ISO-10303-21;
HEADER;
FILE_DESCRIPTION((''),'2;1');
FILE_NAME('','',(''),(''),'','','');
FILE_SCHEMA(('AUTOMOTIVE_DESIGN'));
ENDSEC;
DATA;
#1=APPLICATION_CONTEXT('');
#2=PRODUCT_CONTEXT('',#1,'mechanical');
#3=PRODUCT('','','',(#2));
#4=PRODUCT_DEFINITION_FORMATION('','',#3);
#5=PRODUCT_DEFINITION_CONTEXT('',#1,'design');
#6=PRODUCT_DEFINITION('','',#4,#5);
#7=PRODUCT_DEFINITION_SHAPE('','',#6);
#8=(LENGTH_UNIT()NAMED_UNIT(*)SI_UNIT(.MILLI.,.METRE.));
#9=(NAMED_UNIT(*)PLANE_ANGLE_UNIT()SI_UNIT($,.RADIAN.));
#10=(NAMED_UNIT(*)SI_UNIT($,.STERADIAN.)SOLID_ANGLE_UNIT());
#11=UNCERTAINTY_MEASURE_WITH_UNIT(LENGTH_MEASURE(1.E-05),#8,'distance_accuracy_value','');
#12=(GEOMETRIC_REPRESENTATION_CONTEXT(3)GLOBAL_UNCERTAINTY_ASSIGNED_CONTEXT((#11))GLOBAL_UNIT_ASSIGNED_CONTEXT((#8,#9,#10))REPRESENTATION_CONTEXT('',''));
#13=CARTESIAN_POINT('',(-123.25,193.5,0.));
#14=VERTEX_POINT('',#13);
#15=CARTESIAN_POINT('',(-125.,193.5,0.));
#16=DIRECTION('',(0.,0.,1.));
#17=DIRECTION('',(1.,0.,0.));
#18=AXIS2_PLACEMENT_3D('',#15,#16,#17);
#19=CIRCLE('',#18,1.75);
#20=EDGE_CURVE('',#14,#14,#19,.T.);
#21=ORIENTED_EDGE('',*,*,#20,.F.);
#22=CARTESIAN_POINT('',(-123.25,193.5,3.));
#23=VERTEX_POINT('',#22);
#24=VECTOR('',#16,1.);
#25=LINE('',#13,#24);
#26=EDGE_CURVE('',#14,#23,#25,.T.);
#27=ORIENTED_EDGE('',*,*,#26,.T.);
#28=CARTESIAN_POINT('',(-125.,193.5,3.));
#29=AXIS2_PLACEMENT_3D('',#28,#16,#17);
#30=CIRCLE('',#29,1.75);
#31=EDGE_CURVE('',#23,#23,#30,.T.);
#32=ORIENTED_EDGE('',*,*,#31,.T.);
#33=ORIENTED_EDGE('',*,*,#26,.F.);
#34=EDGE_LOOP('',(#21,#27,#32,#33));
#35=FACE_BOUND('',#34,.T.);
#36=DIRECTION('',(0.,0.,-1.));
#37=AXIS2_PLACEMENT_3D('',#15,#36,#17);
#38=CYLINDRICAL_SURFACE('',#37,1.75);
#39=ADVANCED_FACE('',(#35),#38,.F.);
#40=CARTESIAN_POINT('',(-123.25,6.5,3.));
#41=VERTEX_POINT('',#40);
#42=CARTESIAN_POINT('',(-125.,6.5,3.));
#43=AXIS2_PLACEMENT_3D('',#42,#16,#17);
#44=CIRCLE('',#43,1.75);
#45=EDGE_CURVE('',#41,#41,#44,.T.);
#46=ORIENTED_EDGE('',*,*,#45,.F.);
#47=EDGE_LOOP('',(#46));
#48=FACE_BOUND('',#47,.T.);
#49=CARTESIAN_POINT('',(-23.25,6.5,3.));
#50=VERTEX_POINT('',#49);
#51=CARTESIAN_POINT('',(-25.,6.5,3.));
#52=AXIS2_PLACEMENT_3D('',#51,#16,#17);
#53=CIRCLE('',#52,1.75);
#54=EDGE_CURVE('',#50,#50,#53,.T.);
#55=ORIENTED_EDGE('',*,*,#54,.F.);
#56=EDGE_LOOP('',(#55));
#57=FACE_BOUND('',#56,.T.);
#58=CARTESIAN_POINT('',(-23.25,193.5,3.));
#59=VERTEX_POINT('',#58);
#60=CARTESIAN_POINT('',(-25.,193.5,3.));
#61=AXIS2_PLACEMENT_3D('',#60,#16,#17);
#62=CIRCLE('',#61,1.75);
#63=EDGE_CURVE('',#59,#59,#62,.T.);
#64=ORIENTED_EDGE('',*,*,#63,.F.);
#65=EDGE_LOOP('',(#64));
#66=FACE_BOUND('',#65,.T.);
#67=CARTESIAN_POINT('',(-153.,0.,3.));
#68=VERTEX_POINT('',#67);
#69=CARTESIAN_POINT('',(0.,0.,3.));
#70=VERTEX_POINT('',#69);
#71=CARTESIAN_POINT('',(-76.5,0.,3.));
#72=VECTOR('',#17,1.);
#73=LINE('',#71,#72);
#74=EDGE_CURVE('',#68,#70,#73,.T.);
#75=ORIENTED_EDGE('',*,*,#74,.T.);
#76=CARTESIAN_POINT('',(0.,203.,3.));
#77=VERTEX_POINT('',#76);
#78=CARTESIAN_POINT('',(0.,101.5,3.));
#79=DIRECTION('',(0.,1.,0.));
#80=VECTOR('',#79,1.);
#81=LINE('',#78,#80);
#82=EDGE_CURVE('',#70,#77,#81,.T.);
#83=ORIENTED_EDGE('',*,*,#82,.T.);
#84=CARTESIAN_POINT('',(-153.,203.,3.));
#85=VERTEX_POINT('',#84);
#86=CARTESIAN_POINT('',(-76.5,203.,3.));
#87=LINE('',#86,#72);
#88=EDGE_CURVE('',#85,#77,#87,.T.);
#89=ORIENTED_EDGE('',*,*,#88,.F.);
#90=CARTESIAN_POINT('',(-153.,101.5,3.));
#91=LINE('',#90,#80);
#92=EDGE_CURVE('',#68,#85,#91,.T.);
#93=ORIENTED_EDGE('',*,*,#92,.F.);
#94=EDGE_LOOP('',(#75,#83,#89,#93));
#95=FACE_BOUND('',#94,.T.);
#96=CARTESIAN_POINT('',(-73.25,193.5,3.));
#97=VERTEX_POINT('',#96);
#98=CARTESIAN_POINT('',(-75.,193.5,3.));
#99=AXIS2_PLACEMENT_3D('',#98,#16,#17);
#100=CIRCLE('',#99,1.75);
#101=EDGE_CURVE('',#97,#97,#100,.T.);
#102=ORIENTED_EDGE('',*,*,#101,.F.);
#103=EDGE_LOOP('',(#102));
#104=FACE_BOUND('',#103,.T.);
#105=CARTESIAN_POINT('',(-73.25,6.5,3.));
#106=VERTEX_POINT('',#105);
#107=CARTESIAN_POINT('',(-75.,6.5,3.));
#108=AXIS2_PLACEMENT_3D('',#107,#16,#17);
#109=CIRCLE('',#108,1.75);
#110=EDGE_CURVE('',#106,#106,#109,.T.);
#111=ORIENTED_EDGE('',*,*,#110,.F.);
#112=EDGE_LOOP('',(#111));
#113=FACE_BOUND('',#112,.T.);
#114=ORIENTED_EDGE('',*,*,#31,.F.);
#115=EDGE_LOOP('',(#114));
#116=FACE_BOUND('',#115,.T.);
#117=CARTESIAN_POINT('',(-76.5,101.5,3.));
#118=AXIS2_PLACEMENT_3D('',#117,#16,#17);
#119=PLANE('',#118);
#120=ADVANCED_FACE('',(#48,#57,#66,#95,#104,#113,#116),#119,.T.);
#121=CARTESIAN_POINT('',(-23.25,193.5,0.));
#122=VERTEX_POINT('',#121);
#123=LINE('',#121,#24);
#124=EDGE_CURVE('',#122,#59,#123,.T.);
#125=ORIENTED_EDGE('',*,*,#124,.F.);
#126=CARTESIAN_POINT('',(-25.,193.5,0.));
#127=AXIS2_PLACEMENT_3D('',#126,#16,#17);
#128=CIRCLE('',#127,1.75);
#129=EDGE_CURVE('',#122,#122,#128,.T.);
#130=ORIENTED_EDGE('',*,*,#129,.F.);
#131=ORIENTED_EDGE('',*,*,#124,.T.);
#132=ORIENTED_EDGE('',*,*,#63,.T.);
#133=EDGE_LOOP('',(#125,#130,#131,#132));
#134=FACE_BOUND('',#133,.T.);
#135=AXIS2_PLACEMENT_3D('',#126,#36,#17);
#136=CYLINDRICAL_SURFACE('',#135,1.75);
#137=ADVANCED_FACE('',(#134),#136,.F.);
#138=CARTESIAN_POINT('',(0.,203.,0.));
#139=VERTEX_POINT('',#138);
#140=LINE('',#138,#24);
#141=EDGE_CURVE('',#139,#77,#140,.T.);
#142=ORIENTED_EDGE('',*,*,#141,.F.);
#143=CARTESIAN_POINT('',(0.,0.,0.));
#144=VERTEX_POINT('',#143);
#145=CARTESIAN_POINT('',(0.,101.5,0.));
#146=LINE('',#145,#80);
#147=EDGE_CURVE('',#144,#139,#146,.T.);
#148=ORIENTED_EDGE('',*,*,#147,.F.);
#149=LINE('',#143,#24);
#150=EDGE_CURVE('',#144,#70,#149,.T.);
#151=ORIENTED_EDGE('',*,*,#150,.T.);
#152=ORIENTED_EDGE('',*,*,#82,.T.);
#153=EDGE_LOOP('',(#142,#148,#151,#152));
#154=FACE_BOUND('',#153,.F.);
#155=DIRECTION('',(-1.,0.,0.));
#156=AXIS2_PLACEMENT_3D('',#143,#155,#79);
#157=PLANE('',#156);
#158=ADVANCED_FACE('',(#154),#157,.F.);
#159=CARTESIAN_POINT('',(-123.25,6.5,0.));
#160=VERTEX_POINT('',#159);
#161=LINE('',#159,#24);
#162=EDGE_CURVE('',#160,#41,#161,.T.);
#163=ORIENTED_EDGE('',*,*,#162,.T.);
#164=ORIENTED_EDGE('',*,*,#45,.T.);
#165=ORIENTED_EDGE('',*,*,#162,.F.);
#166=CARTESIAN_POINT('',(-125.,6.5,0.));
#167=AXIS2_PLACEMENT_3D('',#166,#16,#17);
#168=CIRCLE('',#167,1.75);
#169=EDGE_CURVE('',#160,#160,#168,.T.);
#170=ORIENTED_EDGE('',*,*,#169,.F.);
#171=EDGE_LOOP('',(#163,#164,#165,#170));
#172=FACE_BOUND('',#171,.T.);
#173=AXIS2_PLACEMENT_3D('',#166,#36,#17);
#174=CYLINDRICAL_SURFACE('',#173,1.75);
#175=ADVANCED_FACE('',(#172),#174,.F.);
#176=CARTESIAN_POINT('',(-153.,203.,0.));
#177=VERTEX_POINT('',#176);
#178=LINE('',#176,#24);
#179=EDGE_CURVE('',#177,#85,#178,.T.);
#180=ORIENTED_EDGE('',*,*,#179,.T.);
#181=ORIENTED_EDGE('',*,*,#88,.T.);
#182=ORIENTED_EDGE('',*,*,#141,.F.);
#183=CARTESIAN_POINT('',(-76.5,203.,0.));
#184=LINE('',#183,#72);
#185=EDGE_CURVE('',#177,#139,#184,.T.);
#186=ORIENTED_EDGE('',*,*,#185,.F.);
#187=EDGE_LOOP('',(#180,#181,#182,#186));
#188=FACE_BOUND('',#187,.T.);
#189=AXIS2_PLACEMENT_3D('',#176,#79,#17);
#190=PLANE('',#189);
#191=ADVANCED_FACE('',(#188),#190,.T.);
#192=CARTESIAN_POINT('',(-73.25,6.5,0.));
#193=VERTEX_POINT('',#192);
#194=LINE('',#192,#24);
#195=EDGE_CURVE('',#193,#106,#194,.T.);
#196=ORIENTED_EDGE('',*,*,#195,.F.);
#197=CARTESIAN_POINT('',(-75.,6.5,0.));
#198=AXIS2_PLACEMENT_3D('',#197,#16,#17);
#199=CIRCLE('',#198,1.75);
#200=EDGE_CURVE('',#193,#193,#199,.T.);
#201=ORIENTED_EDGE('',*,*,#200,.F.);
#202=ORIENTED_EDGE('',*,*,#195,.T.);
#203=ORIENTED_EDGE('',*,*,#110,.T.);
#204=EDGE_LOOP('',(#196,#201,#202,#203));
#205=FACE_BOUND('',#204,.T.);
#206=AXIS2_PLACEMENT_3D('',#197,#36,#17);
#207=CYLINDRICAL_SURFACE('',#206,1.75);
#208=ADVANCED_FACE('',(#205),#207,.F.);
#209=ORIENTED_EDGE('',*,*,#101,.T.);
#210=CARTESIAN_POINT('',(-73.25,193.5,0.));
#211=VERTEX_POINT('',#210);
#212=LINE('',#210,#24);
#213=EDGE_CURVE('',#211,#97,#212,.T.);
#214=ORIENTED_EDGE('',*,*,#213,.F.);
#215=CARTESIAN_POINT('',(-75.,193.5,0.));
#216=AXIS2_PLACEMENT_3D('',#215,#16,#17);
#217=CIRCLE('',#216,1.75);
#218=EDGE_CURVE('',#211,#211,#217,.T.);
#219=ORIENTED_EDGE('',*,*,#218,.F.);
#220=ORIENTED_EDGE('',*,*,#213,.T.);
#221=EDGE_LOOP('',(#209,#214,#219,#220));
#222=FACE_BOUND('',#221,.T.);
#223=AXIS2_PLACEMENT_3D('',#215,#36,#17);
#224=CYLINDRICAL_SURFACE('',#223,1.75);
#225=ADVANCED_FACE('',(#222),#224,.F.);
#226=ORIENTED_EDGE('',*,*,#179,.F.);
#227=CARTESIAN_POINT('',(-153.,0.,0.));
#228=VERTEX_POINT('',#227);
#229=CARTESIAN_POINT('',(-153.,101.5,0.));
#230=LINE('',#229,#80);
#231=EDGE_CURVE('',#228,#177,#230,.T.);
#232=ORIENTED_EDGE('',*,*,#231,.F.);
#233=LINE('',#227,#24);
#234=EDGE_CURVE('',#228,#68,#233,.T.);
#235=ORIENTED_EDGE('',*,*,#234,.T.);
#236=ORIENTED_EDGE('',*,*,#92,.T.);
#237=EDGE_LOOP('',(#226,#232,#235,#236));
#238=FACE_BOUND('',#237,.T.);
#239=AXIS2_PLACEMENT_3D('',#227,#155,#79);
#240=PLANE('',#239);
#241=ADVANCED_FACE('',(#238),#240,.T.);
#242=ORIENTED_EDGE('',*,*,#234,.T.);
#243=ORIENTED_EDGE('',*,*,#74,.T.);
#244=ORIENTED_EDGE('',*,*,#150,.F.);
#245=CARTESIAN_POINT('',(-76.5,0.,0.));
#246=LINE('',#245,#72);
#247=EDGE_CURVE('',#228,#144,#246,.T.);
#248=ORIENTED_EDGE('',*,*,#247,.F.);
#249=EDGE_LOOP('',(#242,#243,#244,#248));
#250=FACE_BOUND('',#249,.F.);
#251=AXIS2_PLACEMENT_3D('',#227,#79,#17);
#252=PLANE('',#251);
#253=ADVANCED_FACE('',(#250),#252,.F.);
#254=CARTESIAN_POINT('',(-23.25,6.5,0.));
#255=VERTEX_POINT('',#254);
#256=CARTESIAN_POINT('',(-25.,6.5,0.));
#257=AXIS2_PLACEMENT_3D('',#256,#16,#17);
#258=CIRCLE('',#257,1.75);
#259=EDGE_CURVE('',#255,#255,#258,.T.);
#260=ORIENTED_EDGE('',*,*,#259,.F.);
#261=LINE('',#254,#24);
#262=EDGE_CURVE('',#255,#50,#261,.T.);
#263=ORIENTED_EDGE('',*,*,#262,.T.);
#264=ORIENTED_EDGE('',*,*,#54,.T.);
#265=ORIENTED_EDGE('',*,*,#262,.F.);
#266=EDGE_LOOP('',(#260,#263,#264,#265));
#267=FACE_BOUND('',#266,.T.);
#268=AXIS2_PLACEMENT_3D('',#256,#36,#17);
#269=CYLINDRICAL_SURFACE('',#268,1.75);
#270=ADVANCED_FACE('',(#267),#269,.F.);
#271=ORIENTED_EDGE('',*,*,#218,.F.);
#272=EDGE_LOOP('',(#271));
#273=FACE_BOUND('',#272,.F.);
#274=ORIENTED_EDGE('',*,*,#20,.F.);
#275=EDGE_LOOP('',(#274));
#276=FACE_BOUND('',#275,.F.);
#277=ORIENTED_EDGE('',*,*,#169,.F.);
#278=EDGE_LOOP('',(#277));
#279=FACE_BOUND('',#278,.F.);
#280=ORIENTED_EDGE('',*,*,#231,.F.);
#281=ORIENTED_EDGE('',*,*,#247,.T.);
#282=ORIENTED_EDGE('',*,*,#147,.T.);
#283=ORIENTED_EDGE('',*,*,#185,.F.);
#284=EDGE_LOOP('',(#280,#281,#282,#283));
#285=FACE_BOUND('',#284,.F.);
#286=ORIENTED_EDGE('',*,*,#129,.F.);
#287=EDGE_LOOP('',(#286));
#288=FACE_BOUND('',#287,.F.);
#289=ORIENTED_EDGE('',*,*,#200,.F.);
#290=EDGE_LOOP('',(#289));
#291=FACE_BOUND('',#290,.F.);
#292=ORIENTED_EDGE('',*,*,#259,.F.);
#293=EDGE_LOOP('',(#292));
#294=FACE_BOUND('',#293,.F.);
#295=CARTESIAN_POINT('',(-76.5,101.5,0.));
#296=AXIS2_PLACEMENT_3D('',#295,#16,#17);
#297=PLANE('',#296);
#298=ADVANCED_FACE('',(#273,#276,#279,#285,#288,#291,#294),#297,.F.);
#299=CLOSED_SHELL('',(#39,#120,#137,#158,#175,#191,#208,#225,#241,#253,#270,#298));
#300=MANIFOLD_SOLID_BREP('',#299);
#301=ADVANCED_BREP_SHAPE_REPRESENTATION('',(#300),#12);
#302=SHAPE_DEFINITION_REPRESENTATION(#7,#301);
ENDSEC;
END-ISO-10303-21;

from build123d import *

# Parameters (mm, degrees)
SKETCH_W  = 153
SKETCH_H  = 203
SKETCH_R  = 1.75
PAD_DEPTH = 3


with BuildPart() as part:
    # Sketch → Pad (new body)
    with BuildSketch(Plane.XY):
        with Locations((-76.5, 101.5)):
            Rectangle(SKETCH_W, SKETCH_H)
        with Locations((-125, 193.5)):
            Circle(SKETCH_R, mode=Mode.SUBTRACT)
        with Locations((-125, 6.5)):
            Circle(SKETCH_R, mode=Mode.SUBTRACT)
        with Locations((-25, 6.5)):
            Circle(SKETCH_R, mode=Mode.SUBTRACT)
        with Locations((-75, 6.5)):
            Circle(SKETCH_R, mode=Mode.SUBTRACT)
        with Locations((-25, 193.5)):
            Circle(SKETCH_R, mode=Mode.SUBTRACT)
        with Locations((-75, 193.5)):
            Circle(SKETCH_R, mode=Mode.SUBTRACT)
    extrude(amount=PAD_DEPTH)


solid = part.part
